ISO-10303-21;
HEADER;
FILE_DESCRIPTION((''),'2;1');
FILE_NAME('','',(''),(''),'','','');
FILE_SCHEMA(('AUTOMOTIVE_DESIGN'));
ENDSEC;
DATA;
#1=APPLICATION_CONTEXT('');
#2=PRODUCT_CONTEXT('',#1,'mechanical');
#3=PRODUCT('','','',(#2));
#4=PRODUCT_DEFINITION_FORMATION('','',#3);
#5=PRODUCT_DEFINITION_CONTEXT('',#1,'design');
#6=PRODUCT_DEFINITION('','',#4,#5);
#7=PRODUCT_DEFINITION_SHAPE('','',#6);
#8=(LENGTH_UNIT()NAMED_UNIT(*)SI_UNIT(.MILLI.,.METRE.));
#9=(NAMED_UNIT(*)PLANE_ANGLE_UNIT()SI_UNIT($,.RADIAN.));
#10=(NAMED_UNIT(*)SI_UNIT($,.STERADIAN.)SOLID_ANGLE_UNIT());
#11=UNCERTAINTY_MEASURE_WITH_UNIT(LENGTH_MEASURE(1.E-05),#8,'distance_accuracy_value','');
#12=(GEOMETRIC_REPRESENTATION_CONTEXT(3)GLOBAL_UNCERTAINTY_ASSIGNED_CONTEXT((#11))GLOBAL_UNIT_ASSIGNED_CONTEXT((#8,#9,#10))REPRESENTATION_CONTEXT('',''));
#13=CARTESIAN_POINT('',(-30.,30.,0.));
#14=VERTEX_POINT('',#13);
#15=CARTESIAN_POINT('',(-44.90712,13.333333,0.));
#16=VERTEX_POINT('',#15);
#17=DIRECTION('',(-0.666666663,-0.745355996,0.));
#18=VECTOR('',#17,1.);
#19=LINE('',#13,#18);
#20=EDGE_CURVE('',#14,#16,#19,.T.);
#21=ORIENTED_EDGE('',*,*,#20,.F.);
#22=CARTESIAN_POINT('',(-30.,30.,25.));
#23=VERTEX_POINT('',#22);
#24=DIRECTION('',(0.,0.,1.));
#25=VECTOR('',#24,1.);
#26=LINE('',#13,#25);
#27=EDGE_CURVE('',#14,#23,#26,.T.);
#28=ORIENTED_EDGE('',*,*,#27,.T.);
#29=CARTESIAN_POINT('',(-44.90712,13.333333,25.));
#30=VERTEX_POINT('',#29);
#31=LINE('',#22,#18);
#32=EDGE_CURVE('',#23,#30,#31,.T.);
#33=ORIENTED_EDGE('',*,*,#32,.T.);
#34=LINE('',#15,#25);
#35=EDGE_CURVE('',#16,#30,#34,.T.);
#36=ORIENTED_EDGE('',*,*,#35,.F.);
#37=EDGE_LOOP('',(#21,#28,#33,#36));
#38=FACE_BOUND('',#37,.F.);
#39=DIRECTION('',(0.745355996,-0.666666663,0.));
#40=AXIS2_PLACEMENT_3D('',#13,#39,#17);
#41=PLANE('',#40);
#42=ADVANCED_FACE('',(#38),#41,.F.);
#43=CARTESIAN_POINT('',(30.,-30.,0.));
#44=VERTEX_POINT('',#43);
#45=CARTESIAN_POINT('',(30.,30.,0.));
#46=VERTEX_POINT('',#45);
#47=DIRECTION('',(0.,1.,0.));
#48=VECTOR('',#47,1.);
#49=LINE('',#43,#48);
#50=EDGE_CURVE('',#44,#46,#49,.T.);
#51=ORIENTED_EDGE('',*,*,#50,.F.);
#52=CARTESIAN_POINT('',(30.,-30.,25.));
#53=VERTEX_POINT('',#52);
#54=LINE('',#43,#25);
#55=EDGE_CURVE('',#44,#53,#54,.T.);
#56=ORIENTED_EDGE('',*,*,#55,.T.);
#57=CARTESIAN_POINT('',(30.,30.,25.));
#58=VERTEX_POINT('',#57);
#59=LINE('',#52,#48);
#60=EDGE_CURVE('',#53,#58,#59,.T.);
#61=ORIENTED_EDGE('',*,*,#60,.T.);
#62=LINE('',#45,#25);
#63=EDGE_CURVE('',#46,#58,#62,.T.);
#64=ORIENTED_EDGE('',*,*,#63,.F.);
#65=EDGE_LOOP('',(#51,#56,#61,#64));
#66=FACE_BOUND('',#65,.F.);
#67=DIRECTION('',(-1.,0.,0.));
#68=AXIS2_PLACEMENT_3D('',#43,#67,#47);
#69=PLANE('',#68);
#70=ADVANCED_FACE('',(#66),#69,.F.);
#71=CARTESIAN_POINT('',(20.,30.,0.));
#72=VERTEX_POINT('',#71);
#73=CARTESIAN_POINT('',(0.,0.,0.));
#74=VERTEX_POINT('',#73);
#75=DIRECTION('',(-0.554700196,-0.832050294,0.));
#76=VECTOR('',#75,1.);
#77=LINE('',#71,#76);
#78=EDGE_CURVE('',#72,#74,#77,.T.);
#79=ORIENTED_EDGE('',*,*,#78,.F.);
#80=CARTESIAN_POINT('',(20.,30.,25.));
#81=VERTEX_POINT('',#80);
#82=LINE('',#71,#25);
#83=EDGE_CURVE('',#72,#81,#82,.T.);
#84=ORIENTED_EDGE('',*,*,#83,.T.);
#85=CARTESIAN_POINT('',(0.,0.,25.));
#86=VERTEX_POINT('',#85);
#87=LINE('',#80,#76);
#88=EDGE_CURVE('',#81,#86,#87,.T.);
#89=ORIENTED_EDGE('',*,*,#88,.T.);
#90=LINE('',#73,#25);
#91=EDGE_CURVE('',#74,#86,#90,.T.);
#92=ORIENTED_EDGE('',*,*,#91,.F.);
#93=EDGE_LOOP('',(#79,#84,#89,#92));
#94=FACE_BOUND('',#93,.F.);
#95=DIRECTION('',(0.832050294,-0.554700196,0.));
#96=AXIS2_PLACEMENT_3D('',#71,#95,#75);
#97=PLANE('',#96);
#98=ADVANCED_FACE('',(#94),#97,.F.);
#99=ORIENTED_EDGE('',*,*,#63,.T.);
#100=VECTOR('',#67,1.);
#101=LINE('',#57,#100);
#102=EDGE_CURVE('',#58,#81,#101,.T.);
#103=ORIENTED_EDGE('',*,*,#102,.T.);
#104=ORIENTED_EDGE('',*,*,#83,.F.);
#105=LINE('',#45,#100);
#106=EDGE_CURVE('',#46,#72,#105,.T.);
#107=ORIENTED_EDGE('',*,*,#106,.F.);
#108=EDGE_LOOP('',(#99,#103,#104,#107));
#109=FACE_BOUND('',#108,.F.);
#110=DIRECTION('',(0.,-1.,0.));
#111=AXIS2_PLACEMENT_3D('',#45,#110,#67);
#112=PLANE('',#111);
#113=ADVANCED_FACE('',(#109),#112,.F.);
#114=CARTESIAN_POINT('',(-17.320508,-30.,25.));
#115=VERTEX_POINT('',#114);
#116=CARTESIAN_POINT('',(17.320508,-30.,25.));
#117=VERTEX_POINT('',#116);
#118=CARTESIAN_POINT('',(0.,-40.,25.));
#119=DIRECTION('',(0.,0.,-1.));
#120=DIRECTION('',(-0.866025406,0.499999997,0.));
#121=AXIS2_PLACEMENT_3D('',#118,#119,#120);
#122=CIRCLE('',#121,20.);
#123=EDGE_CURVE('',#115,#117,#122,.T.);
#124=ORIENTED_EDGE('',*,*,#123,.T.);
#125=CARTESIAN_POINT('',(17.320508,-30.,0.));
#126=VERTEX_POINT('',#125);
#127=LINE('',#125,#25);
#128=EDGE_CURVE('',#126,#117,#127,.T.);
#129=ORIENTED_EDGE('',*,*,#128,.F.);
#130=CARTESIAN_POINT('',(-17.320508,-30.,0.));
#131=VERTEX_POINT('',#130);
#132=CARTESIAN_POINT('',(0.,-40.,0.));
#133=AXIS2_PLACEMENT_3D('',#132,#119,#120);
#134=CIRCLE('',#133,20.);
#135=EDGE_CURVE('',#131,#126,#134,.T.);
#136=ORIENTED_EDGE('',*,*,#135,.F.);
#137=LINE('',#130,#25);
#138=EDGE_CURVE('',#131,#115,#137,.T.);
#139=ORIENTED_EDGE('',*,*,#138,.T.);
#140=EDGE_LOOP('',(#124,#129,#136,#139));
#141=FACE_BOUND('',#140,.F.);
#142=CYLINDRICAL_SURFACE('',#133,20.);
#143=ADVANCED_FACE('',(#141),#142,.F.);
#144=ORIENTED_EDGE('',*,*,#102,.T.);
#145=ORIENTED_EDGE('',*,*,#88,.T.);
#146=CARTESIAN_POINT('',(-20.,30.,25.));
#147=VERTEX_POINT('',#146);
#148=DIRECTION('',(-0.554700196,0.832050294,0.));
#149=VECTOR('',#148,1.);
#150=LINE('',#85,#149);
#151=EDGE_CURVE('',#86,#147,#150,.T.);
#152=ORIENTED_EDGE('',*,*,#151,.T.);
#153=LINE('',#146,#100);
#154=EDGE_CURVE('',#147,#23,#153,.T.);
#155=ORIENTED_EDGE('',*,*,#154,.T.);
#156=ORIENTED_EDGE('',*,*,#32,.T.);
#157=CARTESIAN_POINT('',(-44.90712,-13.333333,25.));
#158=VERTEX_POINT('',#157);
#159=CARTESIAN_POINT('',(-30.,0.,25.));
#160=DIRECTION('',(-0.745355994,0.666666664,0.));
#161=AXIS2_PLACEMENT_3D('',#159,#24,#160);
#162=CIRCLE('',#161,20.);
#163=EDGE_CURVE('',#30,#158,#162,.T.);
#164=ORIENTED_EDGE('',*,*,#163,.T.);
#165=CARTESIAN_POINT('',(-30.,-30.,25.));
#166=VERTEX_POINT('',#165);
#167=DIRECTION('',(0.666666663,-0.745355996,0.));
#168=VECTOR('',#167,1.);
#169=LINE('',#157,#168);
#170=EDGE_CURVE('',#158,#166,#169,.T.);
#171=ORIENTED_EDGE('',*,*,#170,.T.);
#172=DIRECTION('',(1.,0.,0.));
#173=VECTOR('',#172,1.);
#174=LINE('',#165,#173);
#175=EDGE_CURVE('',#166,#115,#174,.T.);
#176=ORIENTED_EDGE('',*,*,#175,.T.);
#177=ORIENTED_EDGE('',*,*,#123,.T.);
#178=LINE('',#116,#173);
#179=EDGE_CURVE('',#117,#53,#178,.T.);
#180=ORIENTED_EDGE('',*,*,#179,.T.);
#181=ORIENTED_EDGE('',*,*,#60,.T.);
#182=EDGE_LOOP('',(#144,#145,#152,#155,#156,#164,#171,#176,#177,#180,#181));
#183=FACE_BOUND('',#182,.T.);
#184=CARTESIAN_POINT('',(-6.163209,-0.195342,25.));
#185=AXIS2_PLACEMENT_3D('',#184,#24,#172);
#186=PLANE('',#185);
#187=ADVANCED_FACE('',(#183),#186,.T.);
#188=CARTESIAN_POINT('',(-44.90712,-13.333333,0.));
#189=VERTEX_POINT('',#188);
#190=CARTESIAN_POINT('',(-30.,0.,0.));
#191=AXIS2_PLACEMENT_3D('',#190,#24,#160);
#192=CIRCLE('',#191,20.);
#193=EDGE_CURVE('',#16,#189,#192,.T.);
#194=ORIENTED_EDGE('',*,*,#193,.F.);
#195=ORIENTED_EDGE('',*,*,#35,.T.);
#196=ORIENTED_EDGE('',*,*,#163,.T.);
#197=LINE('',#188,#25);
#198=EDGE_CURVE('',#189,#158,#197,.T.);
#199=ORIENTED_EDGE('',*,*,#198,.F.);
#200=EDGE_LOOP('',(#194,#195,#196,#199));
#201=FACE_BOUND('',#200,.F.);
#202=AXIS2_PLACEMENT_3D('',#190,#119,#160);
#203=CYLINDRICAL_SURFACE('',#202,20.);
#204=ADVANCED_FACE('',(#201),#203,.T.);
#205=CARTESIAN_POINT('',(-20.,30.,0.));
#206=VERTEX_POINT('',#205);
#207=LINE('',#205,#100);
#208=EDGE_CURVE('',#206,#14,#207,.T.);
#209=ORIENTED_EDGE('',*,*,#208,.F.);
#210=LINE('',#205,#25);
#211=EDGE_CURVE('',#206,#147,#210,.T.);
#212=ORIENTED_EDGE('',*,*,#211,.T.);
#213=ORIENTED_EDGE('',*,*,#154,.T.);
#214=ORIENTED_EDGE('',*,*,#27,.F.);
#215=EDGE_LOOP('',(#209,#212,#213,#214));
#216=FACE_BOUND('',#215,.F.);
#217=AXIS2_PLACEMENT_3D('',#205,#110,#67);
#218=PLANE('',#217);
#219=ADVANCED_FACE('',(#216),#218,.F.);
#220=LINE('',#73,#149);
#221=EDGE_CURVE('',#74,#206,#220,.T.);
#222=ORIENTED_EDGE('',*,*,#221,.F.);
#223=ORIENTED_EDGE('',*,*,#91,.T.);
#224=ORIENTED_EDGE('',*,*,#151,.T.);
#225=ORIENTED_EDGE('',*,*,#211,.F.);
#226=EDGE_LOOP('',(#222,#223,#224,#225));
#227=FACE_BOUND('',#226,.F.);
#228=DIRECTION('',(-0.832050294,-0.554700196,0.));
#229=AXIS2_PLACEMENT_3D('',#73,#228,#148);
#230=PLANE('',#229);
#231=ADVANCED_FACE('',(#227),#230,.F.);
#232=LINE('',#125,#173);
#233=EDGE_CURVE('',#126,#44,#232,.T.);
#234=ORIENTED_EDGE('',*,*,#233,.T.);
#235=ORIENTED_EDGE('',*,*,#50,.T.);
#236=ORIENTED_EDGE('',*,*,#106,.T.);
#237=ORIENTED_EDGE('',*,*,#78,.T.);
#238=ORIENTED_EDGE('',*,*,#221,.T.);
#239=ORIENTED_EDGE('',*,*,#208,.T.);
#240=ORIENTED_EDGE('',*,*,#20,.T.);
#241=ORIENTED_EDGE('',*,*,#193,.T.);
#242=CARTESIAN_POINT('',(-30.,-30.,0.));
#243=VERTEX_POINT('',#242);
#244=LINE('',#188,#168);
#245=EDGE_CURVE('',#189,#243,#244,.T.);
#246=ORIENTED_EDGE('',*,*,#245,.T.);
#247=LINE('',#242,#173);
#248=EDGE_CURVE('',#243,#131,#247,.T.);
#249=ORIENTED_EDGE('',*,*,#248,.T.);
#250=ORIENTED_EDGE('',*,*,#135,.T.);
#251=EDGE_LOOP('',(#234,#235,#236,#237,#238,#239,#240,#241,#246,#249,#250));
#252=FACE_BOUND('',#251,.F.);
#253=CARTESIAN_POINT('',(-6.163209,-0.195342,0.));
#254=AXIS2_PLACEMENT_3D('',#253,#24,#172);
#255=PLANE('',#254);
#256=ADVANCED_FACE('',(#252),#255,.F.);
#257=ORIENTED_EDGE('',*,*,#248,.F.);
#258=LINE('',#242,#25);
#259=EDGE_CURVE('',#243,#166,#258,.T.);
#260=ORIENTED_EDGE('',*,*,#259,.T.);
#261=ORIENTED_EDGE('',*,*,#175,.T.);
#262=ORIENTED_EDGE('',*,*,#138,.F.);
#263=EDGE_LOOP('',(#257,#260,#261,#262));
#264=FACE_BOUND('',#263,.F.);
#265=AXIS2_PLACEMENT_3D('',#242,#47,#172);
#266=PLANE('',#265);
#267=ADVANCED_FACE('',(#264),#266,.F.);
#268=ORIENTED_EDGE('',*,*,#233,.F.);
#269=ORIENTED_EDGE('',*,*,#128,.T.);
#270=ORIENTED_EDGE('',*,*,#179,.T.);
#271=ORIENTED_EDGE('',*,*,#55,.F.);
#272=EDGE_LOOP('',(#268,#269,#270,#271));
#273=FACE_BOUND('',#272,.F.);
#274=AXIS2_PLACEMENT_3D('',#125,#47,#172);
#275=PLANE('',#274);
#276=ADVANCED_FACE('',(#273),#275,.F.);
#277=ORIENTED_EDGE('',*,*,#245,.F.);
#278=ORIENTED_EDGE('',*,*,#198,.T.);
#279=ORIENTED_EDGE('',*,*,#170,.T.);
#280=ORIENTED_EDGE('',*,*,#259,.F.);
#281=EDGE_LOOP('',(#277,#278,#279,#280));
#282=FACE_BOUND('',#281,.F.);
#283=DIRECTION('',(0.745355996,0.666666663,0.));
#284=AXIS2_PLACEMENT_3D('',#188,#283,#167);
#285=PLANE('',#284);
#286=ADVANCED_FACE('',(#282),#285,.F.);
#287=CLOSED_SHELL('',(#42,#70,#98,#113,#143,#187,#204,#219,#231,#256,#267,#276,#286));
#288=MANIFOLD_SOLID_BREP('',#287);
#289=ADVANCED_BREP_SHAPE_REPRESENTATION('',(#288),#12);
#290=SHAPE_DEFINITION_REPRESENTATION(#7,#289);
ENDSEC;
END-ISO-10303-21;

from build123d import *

# Parameters (mm, degrees)
F1_DEPTH = 25


with BuildPart() as f1:
    # F0 (on Top) → F1 (new body)
    with BuildSketch(Plane.XY):
        with BuildLine():
            Line((20, 30), (0, 0))
            Line((0, 0), (-20, 30))
            Line((-20, 30), (-30, 30))
            Line((-30, 30), (-44.90712, 13.333333))
            ThreePointArc((-44.90712, 13.333333), (-22.863558, 18.683447), (-10, 0))
            ThreePointArc((-10, 0), (-22.863558, -18.683447), (-44.90712, -13.333333))
            Line((-44.90712, -13.333333), (-30, -30))
            Line((-30, -30), (-19.895837, -30))
            Line((-19.895837, -30), (-17.320508, -30))
            ThreePointArc((-17.320508, -30), (0, -20), (17.320508, -30))
            Line((17.320508, -30), (30, -30))
            Line((30, -30), (30, 30))
            Line((30, 30), (20, 30))
        make_face()
        with BuildLine():
            ThreePointArc((-10, 0), (-22.863558, 18.683447), (-44.90712, 13.333333))
            ThreePointArc((-44.90712, 13.333333), (-50, 0), (-44.90712, -13.333333))
            ThreePointArc((-44.90712, -13.333333), (-22.863558, -18.683447), (-10, 0))
        make_face()
    extrude(amount=F1_DEPTH)


solid = f1.part
